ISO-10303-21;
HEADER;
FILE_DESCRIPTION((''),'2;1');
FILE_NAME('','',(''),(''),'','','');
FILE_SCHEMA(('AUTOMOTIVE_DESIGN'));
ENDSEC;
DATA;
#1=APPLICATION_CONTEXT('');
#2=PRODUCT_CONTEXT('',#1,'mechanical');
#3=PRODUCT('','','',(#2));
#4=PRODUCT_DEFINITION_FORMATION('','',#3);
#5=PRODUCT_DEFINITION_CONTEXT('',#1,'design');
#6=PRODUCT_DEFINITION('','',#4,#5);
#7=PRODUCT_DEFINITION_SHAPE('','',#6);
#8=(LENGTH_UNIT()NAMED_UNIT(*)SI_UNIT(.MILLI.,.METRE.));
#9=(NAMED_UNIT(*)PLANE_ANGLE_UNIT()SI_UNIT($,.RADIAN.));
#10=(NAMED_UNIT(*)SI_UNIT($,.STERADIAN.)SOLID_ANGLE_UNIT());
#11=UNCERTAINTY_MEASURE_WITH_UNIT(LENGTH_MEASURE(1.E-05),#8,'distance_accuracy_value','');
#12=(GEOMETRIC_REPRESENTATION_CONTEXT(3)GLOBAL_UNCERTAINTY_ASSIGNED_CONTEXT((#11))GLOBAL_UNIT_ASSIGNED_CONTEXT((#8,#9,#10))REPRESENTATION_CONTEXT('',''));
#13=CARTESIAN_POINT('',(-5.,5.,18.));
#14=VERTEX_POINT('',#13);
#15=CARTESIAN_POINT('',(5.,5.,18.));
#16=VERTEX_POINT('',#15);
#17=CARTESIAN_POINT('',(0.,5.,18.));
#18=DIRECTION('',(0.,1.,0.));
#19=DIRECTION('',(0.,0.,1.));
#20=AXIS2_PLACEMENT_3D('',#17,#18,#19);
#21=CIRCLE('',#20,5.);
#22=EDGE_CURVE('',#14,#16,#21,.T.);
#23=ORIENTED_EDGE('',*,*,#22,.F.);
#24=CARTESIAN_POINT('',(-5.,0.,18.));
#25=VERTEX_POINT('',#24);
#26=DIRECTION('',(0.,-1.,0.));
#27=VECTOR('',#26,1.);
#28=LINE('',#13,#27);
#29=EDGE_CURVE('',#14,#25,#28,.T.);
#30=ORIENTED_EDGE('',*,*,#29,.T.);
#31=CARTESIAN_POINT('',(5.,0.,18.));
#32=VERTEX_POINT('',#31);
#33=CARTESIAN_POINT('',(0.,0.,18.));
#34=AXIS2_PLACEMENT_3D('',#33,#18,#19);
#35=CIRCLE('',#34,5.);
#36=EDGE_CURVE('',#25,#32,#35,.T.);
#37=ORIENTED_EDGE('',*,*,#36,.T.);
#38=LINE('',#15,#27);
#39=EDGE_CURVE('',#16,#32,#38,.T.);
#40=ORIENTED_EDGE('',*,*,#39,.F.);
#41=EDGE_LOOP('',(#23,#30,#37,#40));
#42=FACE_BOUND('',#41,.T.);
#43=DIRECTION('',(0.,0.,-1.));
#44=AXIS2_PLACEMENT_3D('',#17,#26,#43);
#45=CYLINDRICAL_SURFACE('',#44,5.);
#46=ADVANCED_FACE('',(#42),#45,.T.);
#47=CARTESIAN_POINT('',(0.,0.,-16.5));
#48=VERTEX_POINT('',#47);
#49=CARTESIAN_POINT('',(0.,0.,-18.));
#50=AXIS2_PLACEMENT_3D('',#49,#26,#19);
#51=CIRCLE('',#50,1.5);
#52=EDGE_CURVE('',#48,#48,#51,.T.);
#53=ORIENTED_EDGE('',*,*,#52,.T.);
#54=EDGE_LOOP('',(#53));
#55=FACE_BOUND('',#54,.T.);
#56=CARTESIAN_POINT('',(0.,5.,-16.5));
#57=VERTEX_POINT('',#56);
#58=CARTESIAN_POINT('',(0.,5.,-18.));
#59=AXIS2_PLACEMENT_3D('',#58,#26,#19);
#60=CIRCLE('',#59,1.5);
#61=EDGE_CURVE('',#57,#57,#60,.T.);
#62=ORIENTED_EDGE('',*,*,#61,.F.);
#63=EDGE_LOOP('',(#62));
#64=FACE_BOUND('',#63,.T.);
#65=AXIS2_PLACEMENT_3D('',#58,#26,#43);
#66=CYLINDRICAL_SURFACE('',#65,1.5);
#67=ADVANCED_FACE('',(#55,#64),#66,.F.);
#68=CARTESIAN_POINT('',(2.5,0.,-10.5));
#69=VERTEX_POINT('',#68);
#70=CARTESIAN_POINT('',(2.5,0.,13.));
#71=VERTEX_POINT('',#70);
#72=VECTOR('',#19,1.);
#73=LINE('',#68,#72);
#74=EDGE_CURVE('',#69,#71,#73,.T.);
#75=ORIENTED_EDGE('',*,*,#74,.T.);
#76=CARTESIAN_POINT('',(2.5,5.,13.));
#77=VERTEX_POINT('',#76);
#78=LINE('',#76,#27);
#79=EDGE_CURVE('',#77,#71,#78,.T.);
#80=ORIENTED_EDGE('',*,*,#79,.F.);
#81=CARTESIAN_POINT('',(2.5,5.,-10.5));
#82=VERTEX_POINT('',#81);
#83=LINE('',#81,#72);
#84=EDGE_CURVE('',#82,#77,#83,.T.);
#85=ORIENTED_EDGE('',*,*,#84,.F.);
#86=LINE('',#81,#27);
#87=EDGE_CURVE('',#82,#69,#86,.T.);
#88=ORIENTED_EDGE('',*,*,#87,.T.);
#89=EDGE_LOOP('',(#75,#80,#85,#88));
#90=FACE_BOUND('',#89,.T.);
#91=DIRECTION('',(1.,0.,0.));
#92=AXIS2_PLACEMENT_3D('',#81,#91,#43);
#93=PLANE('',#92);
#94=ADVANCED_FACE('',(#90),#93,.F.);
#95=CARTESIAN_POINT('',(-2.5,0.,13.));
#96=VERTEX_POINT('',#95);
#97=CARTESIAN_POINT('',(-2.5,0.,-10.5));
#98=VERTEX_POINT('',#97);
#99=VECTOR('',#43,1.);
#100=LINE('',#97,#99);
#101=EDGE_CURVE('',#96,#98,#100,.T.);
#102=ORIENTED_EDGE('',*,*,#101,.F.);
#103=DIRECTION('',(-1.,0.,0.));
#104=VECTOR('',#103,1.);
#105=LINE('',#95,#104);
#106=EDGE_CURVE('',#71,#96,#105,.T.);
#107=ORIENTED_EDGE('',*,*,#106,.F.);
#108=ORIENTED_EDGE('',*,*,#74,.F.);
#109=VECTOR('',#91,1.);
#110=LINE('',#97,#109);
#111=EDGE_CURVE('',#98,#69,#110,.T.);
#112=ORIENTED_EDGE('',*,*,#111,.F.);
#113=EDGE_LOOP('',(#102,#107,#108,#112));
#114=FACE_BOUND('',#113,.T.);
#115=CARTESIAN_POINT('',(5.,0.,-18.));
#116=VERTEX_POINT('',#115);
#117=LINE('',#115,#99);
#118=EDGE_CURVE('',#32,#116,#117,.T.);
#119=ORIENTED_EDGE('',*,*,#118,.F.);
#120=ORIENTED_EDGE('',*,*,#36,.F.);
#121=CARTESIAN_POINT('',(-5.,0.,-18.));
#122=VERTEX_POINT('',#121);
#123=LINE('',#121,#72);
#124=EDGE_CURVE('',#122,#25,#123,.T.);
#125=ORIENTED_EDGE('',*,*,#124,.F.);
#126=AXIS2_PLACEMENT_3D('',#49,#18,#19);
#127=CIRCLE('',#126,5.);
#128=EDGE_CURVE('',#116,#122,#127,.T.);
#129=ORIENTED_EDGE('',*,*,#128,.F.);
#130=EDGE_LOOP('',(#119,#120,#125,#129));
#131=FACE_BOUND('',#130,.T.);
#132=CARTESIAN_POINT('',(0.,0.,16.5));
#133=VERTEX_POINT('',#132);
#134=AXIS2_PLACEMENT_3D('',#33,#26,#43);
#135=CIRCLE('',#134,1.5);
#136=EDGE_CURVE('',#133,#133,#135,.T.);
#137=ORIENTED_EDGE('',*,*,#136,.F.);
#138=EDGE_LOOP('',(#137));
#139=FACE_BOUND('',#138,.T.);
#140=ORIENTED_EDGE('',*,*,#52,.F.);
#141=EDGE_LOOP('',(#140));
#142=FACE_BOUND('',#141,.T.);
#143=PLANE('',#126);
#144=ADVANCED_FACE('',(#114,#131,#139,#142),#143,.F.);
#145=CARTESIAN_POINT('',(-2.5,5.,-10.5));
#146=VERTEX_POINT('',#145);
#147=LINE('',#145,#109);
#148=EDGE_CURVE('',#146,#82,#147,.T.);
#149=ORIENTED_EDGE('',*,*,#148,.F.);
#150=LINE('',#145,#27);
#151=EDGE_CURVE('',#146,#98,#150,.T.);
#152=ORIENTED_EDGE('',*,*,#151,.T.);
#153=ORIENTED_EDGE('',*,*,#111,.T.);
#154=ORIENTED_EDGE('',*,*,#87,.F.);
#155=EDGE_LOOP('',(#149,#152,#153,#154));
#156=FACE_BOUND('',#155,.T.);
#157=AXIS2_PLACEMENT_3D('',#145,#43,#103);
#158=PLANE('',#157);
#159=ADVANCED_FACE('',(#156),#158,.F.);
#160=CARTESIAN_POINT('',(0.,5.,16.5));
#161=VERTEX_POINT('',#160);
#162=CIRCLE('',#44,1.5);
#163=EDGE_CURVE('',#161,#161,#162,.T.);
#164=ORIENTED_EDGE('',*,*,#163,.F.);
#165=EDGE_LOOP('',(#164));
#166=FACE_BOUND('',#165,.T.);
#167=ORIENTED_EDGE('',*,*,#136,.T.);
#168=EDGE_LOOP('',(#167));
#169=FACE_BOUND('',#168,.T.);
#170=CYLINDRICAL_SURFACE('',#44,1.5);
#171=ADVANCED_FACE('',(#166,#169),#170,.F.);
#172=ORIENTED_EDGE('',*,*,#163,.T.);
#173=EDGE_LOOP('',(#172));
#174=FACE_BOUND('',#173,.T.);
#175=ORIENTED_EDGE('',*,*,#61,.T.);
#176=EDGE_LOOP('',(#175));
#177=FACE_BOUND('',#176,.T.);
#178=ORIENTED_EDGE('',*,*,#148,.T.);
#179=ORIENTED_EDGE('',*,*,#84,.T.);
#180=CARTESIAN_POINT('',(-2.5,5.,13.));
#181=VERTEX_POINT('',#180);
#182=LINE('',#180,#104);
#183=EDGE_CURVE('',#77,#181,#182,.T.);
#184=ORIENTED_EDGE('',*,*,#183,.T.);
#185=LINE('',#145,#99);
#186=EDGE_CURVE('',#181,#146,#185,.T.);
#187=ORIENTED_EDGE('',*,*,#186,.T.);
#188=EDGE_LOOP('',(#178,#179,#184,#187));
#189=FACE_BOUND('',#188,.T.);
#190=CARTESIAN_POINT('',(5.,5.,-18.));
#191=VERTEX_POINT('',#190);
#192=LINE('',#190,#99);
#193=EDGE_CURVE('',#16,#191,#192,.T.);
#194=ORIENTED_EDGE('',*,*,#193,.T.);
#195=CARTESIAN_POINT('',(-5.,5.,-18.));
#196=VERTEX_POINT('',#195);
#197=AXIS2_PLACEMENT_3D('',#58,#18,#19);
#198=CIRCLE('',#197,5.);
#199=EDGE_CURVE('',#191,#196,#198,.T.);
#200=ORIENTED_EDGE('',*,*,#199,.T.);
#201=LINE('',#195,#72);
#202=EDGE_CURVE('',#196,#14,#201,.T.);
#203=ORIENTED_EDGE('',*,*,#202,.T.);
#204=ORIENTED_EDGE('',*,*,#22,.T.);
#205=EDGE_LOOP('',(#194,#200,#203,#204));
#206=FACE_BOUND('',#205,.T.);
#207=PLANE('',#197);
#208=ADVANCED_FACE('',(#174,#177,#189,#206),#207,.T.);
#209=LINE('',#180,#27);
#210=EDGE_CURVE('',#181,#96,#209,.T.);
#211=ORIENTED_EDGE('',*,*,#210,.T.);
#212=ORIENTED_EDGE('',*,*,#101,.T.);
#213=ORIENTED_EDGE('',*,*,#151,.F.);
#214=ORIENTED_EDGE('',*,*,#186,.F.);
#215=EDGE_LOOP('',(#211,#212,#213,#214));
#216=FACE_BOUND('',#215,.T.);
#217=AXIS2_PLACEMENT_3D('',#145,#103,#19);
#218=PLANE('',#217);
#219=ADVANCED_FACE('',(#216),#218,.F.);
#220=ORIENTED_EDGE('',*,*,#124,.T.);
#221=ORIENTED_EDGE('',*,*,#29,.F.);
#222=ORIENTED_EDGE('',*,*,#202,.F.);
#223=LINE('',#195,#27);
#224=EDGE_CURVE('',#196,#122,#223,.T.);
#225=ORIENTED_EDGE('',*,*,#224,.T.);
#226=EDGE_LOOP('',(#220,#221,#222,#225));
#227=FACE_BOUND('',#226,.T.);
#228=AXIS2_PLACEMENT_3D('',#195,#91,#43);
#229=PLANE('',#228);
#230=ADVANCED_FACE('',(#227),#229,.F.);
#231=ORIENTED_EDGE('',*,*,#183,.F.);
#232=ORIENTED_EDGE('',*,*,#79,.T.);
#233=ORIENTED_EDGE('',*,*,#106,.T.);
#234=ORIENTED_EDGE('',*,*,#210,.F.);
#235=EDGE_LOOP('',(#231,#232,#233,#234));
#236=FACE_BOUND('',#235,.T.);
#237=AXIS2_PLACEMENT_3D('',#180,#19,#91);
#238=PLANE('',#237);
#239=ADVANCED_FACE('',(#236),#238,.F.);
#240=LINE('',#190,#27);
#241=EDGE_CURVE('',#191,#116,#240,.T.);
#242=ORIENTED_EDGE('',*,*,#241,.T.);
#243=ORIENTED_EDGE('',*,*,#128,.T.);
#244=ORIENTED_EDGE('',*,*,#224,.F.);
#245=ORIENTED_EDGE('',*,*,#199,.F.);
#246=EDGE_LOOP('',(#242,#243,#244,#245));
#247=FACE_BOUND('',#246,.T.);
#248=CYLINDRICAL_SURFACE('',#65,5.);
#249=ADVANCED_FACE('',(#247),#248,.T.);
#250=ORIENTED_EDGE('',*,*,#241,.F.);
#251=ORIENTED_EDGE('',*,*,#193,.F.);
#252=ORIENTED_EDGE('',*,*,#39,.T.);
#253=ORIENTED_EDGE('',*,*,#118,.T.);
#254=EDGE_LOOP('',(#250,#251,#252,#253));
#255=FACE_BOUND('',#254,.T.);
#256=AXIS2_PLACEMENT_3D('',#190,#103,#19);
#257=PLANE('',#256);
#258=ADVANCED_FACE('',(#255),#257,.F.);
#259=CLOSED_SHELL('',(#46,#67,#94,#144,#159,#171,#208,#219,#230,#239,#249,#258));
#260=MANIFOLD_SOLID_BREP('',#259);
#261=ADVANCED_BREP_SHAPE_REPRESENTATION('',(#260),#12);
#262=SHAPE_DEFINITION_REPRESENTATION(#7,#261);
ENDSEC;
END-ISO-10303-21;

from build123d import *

# Parameters (mm, degrees)
EXTRUDE_1_DEPTH     = 5
SKETCH_3_W          = 5
SKETCH_3_H          = 23.5
CUT_EXTRUDE_1_DEPTH = 5
SKETCH_4_R          = 1.5
CUT_EXTRUDE_2_DEPTH = 5


with BuildPart() as part:
    # 草图2 → 凸台-拉伸1 (new body)
    with BuildSketch(Plane(origin=(0, 0, 0), x_dir=(1, 0, 0), z_dir=(0, 1, 0))):
        with BuildLine():
            Line((5, 18), (5, -18))
            ThreePointArc((5, -18), (0, -23), (-5, -18))
            Line((-5, -18), (-5, 18))
            ThreePointArc((-5, 18), (0, 23), (5, 18))
        make_face()
    extrude(amount=EXTRUDE_1_DEPTH)

    # 草图3 → 切除-拉伸1 (cut)
    with BuildSketch(Plane.XZ):
        with Locations((0, 1.25)):
            Rectangle(SKETCH_3_W, SKETCH_3_H)
    extrude(amount=-CUT_EXTRUDE_1_DEPTH, mode=Mode.SUBTRACT)

    # 草图4 → 切除-拉伸2 (cut)
    with BuildSketch(Plane.XZ):
        with Locations(Location((0, 18, 0), (0, 0, 270))):
            Circle(SKETCH_4_R)
        with Locations(Location((0, -18, 0), (0, 0, 90))):
            Circle(SKETCH_4_R)
    extrude(amount=-CUT_EXTRUDE_2_DEPTH, mode=Mode.SUBTRACT)


solid = part.part
